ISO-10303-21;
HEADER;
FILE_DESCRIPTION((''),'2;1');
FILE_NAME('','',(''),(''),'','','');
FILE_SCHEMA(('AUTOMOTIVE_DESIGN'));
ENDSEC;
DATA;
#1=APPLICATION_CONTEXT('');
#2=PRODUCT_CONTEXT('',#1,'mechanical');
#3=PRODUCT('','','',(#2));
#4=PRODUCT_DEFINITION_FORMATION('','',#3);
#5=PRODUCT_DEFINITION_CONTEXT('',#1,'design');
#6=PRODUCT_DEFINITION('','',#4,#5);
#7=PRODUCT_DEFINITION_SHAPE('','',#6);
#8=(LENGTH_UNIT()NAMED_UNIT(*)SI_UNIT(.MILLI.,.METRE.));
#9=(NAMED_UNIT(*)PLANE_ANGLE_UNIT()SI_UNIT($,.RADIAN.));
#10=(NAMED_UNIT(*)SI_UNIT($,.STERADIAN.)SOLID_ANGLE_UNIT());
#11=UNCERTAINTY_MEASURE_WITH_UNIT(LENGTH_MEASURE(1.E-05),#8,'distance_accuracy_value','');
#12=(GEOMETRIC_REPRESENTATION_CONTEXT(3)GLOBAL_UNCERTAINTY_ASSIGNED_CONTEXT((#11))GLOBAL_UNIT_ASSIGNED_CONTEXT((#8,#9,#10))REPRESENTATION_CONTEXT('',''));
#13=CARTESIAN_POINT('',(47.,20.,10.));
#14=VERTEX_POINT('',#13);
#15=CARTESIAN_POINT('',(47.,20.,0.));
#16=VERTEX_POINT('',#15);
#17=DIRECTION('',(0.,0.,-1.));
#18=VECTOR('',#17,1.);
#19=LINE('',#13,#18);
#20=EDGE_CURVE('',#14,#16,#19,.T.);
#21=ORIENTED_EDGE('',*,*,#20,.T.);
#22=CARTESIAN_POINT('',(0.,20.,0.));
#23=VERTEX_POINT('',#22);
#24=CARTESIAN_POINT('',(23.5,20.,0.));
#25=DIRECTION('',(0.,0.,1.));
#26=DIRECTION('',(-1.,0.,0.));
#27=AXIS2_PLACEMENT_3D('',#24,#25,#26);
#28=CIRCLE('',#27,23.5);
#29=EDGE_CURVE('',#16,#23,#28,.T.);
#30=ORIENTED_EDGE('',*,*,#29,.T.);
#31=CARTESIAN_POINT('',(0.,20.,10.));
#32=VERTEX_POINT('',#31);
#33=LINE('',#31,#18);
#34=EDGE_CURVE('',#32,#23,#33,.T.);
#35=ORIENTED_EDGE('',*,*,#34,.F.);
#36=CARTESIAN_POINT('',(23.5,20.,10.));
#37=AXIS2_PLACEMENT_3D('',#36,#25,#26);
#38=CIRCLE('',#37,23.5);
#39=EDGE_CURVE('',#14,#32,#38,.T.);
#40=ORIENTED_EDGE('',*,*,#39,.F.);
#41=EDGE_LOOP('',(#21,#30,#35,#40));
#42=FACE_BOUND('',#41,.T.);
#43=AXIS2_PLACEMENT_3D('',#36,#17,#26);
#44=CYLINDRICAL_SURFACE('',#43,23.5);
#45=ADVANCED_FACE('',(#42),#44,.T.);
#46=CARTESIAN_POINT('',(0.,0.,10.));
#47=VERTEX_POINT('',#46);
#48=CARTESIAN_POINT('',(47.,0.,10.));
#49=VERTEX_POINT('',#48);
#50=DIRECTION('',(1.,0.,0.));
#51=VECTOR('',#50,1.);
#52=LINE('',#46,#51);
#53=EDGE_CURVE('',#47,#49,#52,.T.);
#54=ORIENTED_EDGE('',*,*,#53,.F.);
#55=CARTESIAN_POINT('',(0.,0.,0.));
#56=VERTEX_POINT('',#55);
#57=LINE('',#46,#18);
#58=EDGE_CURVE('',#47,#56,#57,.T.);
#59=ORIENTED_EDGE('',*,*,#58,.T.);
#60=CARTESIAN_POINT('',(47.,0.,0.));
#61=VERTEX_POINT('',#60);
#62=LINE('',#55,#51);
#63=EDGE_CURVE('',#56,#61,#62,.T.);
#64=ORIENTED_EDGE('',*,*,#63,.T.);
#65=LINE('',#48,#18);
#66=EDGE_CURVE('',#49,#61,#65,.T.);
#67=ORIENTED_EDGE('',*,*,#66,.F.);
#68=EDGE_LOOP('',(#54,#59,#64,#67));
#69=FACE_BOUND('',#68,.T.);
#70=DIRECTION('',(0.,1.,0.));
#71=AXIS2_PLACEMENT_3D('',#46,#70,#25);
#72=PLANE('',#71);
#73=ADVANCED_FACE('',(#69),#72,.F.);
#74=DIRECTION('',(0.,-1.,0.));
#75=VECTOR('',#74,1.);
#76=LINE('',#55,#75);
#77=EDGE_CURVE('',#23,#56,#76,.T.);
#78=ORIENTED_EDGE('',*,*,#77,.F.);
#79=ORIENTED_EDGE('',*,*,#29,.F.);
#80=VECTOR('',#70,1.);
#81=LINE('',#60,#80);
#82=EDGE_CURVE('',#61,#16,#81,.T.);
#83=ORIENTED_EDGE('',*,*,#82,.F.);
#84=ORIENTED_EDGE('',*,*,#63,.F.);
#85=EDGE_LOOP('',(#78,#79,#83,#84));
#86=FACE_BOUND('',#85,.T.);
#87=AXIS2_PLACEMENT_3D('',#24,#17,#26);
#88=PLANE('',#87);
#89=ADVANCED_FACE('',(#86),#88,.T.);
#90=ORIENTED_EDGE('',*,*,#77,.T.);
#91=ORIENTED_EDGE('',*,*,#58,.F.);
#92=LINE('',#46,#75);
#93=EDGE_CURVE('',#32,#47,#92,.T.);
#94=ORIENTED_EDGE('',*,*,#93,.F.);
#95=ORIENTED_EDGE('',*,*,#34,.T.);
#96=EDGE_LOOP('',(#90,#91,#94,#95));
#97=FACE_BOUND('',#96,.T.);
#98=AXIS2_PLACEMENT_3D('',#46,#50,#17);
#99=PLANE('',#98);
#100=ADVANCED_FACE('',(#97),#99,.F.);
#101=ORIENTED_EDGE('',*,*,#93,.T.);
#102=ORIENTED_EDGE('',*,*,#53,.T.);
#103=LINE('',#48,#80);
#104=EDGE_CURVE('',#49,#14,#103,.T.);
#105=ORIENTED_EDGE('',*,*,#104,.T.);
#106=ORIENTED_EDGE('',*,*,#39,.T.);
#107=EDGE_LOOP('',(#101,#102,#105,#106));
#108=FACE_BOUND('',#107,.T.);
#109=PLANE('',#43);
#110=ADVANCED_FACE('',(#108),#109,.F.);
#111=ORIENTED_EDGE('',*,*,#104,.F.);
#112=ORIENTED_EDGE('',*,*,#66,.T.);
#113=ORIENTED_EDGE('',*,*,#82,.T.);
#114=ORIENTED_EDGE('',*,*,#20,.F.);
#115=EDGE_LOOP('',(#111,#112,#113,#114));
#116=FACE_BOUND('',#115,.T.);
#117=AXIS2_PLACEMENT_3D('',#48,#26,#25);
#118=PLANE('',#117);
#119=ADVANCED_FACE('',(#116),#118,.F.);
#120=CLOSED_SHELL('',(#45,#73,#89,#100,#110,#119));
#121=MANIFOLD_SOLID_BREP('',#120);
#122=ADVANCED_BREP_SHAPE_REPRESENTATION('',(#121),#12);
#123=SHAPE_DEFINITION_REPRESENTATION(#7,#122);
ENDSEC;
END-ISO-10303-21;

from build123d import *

# Parameters (mm, degrees)
DODANIE_WYCI_GNI_CIE1_DEPTH = 10


with BuildPart() as part:
    # Szkic1 → Dodanie-wyciągnięcie1 (new body)
    with BuildSketch(Plane.XY):
        with BuildLine():
            Line((0, 0), (47, 0))
            Line((47, 0), (47, 20))
            ThreePointArc((47, 20), (23.5, 43.5), (0, 20))
            Line((0, 20), (0, 0))
        make_face()
    extrude(amount=DODANIE_WYCI_GNI_CIE1_DEPTH)


solid = part.part
